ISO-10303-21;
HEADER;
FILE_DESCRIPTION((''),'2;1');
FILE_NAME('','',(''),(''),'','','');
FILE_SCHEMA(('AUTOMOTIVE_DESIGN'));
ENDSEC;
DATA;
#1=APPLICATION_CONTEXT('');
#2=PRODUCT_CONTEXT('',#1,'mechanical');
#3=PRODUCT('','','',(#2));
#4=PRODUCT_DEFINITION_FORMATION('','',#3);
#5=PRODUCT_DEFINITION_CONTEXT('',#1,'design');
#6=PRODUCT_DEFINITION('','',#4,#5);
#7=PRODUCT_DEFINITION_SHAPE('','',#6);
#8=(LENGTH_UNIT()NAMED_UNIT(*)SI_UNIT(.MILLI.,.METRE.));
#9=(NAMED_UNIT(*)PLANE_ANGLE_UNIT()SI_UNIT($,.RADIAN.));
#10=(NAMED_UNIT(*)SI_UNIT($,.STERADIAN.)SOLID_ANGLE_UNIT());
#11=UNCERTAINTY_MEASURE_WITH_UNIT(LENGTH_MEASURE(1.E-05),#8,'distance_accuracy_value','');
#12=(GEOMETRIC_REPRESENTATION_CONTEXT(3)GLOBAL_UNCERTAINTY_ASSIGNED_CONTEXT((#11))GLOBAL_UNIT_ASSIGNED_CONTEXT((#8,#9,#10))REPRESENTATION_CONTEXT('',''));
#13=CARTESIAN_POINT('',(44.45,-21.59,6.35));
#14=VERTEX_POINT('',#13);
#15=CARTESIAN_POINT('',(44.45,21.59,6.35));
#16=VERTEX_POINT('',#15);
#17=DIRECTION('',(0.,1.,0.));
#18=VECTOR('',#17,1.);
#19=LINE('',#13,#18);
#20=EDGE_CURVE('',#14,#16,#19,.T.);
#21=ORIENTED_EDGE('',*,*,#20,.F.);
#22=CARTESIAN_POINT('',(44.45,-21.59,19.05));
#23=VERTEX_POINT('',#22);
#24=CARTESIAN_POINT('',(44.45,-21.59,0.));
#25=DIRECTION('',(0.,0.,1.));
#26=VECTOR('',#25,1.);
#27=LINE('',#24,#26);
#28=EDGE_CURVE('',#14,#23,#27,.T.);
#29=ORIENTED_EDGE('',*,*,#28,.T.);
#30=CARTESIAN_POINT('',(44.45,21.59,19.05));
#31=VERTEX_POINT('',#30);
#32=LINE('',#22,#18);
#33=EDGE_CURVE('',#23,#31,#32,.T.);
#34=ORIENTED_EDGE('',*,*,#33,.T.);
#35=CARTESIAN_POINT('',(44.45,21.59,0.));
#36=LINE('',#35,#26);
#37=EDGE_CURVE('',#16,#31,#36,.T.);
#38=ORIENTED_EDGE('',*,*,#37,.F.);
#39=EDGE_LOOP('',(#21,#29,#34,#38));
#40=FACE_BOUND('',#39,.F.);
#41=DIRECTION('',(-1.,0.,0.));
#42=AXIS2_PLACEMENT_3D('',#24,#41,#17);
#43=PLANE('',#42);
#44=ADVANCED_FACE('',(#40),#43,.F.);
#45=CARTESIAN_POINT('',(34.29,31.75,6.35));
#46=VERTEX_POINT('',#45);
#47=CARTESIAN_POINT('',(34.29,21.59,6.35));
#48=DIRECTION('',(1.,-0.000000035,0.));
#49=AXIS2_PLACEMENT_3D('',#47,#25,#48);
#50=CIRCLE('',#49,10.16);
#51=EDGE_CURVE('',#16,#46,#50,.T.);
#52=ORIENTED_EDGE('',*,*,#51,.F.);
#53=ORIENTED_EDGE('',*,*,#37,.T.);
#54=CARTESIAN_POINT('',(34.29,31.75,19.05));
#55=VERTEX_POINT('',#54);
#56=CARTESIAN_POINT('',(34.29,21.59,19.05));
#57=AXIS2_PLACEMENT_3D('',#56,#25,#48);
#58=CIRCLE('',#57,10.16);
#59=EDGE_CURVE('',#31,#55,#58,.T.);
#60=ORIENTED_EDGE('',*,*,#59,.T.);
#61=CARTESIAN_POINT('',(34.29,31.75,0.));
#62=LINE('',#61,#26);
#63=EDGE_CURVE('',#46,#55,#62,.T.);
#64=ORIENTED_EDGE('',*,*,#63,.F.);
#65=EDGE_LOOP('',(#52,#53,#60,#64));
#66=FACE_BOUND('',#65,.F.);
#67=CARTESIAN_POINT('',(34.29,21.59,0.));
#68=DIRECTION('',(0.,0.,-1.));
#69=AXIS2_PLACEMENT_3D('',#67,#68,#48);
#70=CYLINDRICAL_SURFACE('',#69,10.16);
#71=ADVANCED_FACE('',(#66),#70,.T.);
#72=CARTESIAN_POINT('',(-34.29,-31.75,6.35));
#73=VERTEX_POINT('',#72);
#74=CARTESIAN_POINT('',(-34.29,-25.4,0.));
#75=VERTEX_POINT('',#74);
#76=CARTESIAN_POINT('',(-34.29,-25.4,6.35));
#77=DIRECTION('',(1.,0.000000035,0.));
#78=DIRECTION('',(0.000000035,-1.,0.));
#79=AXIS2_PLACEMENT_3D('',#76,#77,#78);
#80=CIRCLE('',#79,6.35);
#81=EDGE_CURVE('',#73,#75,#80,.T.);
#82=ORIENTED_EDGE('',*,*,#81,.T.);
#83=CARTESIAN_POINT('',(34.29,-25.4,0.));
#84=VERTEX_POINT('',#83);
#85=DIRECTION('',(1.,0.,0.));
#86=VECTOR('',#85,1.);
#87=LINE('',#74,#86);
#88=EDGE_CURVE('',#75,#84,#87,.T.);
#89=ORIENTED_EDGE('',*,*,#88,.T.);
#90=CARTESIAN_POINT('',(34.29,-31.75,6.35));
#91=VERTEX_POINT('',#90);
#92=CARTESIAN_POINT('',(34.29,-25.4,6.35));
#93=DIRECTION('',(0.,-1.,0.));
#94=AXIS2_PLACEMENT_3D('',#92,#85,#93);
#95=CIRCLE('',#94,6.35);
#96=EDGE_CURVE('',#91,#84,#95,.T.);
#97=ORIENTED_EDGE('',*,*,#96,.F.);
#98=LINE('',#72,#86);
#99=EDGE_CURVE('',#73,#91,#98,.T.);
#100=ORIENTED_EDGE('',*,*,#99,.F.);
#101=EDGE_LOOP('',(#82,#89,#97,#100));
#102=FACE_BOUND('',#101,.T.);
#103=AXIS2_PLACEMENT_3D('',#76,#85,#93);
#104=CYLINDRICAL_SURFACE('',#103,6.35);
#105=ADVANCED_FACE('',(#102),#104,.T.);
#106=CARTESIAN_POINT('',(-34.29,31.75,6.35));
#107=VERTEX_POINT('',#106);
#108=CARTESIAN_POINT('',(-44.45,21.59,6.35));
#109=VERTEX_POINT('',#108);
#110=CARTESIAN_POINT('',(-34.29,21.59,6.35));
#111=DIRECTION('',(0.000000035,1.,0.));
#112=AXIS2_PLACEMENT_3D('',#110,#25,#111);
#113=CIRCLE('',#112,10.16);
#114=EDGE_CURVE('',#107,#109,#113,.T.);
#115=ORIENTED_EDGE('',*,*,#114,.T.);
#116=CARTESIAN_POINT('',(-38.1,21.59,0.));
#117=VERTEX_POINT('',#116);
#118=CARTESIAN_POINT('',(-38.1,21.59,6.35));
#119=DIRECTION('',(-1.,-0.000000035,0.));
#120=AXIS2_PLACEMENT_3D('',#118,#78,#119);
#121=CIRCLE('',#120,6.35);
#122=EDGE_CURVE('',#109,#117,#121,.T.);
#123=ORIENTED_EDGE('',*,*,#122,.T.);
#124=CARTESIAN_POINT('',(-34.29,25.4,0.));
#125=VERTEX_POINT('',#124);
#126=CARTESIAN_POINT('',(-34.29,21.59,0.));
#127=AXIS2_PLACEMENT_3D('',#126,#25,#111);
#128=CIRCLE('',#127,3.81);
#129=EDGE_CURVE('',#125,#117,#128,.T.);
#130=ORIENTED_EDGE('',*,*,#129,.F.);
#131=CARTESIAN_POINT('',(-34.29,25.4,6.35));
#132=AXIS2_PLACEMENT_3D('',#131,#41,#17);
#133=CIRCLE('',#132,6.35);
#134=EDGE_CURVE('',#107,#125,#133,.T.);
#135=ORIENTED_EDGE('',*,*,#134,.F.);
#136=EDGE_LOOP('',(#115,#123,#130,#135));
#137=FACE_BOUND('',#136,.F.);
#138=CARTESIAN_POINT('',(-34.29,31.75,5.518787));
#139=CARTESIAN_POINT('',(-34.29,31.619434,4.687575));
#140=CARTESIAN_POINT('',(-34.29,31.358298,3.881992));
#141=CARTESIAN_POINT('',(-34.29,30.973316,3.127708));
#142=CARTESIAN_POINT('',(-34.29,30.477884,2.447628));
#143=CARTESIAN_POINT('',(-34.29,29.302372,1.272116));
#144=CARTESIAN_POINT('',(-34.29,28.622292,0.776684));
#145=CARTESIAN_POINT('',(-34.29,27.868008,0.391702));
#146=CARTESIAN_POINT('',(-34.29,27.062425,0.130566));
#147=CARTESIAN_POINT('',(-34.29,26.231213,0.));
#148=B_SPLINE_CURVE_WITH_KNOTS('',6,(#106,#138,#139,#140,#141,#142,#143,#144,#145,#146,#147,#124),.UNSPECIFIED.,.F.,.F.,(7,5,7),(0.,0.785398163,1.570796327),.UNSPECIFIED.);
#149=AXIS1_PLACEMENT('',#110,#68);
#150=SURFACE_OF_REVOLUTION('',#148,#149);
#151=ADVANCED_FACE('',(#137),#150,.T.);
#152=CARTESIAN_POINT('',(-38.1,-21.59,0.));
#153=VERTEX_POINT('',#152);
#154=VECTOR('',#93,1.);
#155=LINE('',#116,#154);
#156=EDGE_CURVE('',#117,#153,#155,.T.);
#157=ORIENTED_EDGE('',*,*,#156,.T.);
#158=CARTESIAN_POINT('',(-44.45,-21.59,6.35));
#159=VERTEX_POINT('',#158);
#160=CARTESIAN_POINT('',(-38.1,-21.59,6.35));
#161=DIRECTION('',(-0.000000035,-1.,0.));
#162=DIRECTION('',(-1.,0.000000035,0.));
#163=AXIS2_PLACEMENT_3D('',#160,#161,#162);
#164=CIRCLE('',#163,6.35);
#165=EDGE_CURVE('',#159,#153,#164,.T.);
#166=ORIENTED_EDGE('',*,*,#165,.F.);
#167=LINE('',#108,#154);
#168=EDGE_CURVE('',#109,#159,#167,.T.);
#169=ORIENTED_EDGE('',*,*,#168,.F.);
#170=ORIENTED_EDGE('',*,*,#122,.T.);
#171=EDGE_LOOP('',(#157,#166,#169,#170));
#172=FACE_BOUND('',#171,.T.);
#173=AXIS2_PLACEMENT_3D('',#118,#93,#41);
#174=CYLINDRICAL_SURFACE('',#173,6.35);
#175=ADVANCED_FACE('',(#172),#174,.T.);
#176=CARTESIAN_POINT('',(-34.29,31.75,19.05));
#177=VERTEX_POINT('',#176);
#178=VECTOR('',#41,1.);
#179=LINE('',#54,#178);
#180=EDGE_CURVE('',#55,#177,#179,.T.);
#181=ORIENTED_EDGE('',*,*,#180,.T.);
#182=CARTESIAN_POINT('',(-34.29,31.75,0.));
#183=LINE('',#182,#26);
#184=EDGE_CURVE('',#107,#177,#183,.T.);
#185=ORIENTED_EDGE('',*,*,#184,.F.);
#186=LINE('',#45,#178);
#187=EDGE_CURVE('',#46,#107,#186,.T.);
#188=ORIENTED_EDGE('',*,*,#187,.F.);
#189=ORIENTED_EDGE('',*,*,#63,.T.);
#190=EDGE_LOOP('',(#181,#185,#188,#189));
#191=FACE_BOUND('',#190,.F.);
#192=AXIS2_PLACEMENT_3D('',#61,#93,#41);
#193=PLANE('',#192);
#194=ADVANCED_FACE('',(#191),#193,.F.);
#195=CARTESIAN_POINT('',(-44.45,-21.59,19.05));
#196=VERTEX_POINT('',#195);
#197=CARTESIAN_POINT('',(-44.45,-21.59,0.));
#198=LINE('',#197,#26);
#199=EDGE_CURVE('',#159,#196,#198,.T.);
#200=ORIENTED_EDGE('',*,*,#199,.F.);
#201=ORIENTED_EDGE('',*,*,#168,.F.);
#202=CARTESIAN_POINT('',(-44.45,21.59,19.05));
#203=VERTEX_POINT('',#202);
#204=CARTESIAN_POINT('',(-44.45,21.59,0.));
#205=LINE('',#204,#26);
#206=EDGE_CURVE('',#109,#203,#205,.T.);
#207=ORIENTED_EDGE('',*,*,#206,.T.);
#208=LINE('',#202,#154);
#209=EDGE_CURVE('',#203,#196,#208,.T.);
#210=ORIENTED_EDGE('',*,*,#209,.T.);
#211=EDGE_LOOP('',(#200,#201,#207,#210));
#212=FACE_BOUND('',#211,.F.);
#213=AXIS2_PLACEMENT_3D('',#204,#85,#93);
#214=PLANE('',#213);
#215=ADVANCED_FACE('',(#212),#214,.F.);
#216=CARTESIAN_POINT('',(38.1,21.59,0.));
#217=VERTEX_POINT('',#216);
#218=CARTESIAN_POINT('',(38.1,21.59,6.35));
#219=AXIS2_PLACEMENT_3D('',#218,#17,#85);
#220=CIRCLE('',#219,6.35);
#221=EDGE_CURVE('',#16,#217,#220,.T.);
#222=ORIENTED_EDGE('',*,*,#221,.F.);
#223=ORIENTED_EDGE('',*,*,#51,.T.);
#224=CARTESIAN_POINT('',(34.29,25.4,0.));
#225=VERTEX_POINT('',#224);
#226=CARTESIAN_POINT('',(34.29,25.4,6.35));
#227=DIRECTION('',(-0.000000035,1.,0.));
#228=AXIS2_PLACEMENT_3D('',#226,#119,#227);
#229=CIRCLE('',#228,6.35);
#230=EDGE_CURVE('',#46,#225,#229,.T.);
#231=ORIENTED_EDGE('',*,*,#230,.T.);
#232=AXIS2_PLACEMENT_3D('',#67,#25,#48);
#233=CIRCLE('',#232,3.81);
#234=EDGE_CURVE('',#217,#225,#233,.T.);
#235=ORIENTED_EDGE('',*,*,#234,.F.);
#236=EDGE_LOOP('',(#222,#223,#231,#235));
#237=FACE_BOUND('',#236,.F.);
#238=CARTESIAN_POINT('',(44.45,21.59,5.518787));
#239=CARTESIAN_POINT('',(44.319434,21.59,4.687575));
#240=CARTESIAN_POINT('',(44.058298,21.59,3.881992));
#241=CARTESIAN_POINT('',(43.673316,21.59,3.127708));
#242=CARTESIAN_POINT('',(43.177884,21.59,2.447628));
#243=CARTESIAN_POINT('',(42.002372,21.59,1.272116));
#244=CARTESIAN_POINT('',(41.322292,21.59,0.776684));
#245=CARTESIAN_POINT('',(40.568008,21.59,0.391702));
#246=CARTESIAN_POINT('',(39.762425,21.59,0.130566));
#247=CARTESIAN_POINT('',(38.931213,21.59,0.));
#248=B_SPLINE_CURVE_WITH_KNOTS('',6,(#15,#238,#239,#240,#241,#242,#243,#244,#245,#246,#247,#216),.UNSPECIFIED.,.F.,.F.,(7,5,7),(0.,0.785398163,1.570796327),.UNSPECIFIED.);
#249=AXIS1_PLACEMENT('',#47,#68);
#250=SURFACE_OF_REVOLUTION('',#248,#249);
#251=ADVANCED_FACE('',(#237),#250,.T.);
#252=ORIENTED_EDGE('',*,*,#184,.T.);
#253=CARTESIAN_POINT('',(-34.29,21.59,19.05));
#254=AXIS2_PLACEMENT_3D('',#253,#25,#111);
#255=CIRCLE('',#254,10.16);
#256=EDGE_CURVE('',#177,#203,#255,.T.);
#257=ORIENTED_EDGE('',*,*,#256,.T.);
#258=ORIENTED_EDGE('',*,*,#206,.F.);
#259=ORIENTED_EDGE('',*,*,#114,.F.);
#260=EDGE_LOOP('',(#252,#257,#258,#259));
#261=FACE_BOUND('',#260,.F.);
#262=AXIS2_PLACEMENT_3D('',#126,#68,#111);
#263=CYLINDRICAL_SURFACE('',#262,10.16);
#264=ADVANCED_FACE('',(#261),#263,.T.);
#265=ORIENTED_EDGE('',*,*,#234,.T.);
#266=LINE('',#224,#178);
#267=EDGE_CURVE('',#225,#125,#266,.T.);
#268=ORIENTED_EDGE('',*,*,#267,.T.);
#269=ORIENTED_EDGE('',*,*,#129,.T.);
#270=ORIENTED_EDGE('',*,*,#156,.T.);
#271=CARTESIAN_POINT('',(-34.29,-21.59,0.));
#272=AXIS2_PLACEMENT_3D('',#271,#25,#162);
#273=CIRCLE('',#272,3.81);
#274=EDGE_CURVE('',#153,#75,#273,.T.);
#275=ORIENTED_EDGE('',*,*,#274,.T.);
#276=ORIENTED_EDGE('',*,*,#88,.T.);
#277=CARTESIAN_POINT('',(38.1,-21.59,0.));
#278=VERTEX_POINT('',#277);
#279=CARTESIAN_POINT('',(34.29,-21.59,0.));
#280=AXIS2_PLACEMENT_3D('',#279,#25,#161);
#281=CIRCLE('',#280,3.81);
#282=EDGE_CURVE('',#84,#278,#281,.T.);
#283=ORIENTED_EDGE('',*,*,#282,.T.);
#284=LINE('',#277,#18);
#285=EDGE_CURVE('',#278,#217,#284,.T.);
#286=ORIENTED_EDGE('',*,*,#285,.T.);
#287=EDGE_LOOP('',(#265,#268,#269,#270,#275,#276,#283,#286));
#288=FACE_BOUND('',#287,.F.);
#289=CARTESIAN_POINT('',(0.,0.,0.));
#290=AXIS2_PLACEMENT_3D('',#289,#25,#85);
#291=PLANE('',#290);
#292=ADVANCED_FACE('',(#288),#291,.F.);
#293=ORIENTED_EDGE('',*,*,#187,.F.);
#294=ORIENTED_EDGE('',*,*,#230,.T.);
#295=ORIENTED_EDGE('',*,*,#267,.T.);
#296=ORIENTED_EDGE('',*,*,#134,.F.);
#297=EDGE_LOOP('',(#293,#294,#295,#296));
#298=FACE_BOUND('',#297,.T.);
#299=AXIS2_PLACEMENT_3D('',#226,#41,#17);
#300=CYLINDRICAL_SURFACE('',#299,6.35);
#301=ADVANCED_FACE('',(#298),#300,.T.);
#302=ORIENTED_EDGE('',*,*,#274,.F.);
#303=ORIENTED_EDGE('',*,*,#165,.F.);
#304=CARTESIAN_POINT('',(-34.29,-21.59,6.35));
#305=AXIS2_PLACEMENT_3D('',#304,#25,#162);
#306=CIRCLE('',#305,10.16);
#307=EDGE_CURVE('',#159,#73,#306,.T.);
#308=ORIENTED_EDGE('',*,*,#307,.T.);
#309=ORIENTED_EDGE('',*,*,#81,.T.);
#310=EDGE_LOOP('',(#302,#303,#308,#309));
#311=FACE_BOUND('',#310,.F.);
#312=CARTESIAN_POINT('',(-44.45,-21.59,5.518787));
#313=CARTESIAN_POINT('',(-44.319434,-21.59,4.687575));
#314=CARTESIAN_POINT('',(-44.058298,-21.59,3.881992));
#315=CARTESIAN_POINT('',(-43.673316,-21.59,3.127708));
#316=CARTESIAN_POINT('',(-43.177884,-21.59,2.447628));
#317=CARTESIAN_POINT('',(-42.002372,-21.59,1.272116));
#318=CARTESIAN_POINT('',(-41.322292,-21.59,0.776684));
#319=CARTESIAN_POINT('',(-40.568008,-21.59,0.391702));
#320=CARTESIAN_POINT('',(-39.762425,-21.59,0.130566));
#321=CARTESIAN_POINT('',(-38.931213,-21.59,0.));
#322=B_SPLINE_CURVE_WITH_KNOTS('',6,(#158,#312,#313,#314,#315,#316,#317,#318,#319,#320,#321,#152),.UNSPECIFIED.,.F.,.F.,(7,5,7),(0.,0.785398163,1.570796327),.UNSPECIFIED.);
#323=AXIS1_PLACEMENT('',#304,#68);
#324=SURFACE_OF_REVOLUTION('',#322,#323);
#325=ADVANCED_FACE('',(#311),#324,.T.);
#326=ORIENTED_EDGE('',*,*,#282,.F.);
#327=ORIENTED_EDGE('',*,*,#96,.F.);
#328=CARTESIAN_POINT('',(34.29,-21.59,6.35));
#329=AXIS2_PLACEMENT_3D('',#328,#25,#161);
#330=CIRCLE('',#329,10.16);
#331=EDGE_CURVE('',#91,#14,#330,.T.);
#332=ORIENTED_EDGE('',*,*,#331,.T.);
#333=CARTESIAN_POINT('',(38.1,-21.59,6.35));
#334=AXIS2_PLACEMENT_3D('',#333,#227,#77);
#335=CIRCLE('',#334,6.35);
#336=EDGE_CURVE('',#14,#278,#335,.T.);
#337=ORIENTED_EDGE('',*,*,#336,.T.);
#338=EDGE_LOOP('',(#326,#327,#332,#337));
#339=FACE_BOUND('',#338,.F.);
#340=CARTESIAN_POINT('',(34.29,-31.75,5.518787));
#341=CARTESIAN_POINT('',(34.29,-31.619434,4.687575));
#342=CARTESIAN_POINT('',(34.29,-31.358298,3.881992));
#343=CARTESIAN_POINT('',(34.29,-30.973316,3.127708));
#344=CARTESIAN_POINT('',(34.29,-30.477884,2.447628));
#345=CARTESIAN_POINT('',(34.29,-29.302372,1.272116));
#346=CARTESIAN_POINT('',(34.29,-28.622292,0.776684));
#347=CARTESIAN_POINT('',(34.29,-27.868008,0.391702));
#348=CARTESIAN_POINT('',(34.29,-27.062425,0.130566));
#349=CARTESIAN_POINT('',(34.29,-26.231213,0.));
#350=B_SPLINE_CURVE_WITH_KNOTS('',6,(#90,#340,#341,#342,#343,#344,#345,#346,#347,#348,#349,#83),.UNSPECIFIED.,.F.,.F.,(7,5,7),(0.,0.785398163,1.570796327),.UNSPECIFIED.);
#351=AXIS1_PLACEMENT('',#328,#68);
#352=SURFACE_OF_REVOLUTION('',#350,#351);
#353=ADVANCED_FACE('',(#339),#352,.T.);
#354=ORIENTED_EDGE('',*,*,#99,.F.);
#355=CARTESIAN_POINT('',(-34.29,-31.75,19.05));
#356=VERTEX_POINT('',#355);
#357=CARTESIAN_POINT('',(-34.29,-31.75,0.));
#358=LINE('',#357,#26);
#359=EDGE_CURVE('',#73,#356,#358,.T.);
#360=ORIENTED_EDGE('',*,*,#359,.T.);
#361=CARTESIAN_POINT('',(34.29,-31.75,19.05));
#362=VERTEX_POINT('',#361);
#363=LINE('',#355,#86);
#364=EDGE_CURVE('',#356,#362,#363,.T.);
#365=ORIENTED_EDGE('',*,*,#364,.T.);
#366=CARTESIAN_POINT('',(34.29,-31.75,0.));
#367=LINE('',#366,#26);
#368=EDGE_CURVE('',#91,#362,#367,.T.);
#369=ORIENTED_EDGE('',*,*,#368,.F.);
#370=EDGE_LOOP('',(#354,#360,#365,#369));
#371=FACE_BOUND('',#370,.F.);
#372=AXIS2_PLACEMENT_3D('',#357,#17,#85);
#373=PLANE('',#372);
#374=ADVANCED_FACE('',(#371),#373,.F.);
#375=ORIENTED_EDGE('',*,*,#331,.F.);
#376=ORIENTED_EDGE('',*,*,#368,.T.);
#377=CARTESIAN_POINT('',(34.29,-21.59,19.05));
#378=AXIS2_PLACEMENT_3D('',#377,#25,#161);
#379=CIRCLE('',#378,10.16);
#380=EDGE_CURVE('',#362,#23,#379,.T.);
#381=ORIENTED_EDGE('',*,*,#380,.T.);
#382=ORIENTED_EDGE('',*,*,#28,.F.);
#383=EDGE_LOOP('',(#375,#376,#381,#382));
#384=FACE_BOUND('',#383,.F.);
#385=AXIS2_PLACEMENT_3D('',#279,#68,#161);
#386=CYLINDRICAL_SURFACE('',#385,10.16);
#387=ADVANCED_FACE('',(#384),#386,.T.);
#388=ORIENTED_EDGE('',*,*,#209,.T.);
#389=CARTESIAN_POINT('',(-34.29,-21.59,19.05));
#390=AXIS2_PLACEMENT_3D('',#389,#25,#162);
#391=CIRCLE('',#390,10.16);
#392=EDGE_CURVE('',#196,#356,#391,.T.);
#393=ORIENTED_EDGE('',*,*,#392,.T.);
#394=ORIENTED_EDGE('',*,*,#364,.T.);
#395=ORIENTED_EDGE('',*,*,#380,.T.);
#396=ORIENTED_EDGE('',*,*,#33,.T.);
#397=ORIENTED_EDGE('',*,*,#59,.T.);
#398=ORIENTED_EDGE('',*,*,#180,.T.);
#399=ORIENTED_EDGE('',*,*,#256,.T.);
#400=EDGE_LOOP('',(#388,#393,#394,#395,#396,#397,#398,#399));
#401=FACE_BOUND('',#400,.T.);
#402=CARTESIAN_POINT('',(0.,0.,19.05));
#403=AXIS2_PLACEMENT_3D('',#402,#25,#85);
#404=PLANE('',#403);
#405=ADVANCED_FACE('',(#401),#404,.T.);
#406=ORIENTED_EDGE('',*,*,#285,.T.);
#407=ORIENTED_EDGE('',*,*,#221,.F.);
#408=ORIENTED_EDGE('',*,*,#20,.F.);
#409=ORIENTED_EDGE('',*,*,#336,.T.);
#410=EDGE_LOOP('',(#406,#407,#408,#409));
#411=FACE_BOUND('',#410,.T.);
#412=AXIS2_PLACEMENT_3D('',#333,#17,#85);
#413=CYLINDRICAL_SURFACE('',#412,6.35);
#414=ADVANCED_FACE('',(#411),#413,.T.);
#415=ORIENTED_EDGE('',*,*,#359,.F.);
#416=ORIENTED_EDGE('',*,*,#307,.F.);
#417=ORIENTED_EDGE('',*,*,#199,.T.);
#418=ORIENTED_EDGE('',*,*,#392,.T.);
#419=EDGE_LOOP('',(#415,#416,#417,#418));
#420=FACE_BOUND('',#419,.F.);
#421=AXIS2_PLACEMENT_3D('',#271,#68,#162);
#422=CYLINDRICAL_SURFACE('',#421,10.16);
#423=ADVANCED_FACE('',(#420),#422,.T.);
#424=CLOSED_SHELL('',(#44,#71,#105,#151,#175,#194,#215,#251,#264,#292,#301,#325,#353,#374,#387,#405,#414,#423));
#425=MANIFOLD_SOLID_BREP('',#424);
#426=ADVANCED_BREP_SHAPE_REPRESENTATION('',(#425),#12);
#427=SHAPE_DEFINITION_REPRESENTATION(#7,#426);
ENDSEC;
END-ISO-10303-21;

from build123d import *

# Parameters (mm, degrees)
F1_DEPTH = 19.05
F2_R     = 6.35


with BuildPart() as f1:
    # F0 (on Top) → F1 (new body)
    with BuildSketch(Plane.XY):
        with BuildLine():
            Line((34.29, 31.75), (-34.29, 31.75))
            ThreePointArc((-34.29, 31.75), (-41.474205, 28.774205), (-44.45, 21.59))
            Line((-44.45, 21.59), (-44.45, -21.59))
            ThreePointArc((-44.45, -21.59), (-41.474205, -28.774205), (-34.29, -31.75))
            Line((-34.29, -31.75), (34.29, -31.75))
            ThreePointArc((34.29, -31.75), (41.474205, -28.774205), (44.45, -21.59))
            Line((44.45, -21.59), (44.45, 21.59))
            ThreePointArc((44.45, 21.59), (41.474205, 28.774205), (34.29, 31.75))
        make_face()
    extrude(amount=F1_DEPTH)

    # F2
    f2_edges = [f1.edges().sort_by_distance(p)[0] for p in [
        (-41.474205, -28.774205, 0),
    ]]
    fillet(f2_edges, radius=F2_R)


solid = f1.part
